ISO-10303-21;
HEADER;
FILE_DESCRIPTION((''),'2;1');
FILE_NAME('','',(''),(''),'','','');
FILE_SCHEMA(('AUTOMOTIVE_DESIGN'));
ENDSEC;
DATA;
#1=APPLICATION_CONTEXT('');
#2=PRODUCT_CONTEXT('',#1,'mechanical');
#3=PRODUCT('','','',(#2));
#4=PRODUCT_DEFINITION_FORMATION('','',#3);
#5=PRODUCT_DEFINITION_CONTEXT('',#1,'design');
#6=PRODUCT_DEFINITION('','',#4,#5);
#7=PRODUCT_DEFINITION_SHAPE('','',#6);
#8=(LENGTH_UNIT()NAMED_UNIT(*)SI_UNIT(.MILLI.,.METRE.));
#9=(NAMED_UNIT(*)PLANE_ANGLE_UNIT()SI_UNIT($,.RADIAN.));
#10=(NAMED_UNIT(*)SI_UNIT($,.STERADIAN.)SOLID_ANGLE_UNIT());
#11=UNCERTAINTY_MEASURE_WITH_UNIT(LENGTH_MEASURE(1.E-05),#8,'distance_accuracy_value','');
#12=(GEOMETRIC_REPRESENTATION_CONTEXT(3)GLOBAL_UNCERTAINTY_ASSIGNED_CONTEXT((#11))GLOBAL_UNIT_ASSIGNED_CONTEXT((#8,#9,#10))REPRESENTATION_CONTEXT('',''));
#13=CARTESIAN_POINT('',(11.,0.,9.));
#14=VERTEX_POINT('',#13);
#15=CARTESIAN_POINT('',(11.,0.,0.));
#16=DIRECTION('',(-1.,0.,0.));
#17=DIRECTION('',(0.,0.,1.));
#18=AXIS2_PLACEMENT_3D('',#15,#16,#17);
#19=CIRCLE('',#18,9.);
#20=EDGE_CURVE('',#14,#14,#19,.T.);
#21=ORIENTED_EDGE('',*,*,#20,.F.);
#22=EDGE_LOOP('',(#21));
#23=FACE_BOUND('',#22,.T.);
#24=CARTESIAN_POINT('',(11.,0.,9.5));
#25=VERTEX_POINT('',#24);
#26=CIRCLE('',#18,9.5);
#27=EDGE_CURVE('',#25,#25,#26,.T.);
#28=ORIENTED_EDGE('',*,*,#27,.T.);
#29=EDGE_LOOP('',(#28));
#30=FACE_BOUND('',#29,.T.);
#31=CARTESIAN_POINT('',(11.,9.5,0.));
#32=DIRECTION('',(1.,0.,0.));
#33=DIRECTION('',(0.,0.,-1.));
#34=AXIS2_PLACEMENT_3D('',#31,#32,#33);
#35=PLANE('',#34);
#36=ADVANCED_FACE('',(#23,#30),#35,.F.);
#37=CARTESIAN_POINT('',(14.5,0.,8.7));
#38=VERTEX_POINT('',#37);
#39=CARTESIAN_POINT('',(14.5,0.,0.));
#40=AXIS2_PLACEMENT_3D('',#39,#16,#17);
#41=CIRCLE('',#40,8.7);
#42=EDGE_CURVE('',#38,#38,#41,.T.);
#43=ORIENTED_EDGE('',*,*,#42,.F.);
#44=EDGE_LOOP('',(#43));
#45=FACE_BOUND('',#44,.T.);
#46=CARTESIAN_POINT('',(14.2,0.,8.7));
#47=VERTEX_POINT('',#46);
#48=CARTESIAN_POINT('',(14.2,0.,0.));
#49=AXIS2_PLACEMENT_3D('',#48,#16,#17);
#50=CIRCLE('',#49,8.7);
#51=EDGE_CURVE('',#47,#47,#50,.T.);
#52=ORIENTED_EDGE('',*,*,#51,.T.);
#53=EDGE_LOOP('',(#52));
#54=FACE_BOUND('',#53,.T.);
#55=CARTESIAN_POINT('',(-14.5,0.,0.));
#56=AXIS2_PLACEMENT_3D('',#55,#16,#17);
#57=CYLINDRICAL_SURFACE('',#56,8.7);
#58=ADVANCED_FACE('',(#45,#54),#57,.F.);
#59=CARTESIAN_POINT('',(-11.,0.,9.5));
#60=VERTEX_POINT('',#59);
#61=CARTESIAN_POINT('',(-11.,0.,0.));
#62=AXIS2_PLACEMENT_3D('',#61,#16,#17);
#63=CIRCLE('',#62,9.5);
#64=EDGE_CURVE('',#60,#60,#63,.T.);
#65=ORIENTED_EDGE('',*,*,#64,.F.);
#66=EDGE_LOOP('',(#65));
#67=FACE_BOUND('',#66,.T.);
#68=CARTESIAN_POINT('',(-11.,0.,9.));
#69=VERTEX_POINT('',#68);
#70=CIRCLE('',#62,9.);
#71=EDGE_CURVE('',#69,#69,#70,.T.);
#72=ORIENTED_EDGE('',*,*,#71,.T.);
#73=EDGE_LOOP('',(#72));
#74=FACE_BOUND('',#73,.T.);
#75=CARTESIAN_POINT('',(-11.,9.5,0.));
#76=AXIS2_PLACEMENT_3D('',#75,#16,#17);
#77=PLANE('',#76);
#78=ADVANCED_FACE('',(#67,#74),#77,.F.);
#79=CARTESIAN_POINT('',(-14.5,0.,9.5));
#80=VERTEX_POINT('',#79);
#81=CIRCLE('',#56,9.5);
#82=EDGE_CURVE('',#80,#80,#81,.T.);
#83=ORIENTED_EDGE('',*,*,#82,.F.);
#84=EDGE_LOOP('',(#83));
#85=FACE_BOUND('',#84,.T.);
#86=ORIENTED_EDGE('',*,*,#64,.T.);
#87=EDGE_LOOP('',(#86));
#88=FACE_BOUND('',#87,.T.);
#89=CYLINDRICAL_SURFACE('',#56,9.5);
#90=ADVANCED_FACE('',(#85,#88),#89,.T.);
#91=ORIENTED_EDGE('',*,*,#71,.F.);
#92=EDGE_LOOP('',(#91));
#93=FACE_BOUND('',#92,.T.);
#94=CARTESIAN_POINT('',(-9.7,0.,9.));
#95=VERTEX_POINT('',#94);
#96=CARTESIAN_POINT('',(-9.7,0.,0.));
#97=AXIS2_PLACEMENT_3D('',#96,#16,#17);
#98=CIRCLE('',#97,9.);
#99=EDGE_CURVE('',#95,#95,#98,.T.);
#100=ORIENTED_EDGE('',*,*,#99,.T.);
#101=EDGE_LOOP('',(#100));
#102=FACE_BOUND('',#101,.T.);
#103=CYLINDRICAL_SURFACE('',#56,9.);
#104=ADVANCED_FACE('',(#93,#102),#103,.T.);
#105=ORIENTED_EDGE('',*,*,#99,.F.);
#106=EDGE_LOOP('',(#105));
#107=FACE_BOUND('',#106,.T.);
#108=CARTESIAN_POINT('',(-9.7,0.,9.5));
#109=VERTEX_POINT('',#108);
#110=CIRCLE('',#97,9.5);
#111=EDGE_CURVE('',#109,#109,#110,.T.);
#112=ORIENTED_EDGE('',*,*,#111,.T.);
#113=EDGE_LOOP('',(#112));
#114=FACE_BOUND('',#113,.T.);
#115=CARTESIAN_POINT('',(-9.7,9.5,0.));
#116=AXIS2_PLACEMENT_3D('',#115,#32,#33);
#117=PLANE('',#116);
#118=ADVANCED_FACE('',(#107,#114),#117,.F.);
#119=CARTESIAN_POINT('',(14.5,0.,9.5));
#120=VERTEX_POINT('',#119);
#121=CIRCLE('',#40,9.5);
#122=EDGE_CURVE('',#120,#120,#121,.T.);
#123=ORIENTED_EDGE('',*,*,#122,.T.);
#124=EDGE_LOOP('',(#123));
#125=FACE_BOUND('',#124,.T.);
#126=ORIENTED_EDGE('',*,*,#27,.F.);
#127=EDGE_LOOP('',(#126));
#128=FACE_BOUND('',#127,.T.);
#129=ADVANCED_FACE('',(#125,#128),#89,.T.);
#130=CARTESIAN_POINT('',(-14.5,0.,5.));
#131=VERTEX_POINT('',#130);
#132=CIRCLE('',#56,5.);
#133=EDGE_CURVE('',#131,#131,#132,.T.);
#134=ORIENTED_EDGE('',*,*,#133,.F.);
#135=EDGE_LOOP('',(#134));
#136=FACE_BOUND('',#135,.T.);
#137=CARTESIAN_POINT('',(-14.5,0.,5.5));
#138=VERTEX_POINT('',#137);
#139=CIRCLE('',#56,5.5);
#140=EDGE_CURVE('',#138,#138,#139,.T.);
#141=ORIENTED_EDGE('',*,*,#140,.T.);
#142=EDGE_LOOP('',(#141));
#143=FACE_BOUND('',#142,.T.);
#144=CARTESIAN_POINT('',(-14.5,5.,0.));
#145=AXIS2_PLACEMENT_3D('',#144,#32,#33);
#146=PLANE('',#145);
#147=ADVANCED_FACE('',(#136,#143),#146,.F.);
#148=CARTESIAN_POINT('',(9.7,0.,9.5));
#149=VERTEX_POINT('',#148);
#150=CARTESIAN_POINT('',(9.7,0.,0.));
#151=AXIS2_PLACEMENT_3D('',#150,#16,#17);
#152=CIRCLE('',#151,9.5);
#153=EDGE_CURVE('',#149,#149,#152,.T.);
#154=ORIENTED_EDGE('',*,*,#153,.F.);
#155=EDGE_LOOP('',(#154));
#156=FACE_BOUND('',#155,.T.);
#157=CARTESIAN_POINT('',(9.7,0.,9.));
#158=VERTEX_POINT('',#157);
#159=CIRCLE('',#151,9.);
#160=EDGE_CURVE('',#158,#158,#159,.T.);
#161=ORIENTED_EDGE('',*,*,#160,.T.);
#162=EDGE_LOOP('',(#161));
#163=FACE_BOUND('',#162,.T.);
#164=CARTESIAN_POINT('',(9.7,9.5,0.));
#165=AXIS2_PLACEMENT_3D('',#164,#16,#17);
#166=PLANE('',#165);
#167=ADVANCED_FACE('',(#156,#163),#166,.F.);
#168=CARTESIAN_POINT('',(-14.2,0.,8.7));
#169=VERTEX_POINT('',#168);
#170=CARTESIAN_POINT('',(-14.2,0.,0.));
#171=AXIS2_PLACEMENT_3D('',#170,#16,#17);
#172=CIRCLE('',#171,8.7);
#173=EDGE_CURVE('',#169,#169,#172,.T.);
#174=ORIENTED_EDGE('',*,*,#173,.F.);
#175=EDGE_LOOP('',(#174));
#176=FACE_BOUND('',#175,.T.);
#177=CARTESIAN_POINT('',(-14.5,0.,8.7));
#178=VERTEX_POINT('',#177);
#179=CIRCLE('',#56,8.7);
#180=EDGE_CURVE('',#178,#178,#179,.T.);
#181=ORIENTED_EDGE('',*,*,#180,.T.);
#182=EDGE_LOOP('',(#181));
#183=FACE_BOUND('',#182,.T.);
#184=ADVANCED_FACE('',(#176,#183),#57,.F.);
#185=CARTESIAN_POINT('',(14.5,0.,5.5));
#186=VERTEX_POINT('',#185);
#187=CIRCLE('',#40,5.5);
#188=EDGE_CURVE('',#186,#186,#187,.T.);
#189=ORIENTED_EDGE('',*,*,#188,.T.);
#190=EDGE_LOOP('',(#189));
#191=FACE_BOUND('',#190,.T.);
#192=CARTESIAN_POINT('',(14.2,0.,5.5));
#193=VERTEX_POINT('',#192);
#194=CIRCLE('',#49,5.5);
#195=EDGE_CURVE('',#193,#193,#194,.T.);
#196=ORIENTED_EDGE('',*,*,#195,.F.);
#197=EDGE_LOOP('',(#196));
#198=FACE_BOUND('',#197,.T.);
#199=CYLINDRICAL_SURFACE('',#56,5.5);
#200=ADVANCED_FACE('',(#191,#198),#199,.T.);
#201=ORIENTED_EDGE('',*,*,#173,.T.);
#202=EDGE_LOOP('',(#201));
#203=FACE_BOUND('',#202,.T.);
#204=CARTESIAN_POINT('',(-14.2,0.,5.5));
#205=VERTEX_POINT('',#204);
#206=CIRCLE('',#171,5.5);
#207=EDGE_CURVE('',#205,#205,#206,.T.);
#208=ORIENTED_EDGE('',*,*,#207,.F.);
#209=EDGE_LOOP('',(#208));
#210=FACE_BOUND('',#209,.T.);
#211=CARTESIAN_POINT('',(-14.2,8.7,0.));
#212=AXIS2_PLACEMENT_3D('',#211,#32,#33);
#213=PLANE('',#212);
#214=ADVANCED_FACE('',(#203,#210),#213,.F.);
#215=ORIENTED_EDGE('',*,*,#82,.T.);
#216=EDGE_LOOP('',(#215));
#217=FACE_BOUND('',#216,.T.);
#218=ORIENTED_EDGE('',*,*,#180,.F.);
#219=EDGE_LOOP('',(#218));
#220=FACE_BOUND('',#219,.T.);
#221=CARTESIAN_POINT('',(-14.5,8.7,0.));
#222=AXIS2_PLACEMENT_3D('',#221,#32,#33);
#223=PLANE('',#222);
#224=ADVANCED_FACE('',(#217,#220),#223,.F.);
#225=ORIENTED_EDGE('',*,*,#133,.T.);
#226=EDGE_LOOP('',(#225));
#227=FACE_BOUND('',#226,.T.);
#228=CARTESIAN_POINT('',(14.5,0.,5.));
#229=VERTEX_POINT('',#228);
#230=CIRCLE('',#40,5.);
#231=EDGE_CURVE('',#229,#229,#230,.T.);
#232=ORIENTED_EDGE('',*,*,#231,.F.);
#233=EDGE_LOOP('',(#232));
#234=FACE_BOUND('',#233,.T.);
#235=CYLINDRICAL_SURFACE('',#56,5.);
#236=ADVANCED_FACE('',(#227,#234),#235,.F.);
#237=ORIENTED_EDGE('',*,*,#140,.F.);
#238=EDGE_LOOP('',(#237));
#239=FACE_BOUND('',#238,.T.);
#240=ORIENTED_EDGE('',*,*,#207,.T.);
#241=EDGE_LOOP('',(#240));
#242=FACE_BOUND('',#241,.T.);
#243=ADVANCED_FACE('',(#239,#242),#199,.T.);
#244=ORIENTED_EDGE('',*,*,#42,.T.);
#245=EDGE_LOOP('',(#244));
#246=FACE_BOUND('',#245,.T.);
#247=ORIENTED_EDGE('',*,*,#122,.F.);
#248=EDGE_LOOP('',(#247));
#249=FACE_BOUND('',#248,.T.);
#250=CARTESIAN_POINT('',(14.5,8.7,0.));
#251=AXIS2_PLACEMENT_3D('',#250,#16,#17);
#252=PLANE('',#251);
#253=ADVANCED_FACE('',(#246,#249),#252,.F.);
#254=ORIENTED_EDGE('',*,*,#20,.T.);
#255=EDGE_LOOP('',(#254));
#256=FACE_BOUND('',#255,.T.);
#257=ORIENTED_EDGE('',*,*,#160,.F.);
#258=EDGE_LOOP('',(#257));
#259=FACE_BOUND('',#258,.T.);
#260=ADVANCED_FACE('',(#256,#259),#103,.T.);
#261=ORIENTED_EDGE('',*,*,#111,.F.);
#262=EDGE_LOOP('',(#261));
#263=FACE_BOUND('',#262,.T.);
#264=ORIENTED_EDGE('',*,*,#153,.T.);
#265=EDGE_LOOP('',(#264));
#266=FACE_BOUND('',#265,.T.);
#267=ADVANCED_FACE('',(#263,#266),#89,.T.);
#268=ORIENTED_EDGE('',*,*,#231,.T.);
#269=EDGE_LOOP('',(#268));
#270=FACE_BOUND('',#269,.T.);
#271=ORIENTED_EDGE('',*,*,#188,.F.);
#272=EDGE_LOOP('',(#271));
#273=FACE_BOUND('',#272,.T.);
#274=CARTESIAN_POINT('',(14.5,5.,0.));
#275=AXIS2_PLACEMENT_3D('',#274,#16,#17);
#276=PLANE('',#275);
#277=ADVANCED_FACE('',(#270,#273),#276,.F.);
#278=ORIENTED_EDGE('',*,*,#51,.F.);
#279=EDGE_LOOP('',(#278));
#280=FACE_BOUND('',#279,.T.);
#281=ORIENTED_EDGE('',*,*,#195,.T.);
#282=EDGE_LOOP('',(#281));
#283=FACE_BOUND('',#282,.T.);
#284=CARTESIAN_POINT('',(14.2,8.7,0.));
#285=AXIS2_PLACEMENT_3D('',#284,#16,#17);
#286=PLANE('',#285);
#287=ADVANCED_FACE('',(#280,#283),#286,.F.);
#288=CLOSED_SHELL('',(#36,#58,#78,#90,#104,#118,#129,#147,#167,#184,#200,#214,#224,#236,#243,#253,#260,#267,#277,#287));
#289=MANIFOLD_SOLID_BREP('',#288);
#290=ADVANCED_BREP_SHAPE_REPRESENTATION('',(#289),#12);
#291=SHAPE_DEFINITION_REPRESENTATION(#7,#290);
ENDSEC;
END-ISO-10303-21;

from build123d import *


with BuildPart() as part:
    # Sketch1 → Revolve1 (revolve)
    with BuildSketch(Plane.XY, mode=Mode.PRIVATE) as revolve1_sk:
        Polygon((-14.5, 5), (14.5, 5), (14.5, 5.5), (14.2, 5.5), (14.2, 8.7), (14.5, 8.7), (14.5, 9.5), (11, 9.5), (11, 9), (9.7, 9), (9.7, 9.5), (-9.7, 9.5), (-9.7, 9), (-11, 9), (-11, 9.5), (-14.5, 9.5), (-14.5, 8.7), (-14.2, 8.7), (-14.2, 5.5), (-14.5, 5.5), align=None)
    revolve(revolve1_sk.sketch.rotate(Axis((-14.5, 0, 0), (1, 0, 0)), 90), axis=Axis((-14.5, 0, 0), (1, 0, 0)))


solid = part.part
